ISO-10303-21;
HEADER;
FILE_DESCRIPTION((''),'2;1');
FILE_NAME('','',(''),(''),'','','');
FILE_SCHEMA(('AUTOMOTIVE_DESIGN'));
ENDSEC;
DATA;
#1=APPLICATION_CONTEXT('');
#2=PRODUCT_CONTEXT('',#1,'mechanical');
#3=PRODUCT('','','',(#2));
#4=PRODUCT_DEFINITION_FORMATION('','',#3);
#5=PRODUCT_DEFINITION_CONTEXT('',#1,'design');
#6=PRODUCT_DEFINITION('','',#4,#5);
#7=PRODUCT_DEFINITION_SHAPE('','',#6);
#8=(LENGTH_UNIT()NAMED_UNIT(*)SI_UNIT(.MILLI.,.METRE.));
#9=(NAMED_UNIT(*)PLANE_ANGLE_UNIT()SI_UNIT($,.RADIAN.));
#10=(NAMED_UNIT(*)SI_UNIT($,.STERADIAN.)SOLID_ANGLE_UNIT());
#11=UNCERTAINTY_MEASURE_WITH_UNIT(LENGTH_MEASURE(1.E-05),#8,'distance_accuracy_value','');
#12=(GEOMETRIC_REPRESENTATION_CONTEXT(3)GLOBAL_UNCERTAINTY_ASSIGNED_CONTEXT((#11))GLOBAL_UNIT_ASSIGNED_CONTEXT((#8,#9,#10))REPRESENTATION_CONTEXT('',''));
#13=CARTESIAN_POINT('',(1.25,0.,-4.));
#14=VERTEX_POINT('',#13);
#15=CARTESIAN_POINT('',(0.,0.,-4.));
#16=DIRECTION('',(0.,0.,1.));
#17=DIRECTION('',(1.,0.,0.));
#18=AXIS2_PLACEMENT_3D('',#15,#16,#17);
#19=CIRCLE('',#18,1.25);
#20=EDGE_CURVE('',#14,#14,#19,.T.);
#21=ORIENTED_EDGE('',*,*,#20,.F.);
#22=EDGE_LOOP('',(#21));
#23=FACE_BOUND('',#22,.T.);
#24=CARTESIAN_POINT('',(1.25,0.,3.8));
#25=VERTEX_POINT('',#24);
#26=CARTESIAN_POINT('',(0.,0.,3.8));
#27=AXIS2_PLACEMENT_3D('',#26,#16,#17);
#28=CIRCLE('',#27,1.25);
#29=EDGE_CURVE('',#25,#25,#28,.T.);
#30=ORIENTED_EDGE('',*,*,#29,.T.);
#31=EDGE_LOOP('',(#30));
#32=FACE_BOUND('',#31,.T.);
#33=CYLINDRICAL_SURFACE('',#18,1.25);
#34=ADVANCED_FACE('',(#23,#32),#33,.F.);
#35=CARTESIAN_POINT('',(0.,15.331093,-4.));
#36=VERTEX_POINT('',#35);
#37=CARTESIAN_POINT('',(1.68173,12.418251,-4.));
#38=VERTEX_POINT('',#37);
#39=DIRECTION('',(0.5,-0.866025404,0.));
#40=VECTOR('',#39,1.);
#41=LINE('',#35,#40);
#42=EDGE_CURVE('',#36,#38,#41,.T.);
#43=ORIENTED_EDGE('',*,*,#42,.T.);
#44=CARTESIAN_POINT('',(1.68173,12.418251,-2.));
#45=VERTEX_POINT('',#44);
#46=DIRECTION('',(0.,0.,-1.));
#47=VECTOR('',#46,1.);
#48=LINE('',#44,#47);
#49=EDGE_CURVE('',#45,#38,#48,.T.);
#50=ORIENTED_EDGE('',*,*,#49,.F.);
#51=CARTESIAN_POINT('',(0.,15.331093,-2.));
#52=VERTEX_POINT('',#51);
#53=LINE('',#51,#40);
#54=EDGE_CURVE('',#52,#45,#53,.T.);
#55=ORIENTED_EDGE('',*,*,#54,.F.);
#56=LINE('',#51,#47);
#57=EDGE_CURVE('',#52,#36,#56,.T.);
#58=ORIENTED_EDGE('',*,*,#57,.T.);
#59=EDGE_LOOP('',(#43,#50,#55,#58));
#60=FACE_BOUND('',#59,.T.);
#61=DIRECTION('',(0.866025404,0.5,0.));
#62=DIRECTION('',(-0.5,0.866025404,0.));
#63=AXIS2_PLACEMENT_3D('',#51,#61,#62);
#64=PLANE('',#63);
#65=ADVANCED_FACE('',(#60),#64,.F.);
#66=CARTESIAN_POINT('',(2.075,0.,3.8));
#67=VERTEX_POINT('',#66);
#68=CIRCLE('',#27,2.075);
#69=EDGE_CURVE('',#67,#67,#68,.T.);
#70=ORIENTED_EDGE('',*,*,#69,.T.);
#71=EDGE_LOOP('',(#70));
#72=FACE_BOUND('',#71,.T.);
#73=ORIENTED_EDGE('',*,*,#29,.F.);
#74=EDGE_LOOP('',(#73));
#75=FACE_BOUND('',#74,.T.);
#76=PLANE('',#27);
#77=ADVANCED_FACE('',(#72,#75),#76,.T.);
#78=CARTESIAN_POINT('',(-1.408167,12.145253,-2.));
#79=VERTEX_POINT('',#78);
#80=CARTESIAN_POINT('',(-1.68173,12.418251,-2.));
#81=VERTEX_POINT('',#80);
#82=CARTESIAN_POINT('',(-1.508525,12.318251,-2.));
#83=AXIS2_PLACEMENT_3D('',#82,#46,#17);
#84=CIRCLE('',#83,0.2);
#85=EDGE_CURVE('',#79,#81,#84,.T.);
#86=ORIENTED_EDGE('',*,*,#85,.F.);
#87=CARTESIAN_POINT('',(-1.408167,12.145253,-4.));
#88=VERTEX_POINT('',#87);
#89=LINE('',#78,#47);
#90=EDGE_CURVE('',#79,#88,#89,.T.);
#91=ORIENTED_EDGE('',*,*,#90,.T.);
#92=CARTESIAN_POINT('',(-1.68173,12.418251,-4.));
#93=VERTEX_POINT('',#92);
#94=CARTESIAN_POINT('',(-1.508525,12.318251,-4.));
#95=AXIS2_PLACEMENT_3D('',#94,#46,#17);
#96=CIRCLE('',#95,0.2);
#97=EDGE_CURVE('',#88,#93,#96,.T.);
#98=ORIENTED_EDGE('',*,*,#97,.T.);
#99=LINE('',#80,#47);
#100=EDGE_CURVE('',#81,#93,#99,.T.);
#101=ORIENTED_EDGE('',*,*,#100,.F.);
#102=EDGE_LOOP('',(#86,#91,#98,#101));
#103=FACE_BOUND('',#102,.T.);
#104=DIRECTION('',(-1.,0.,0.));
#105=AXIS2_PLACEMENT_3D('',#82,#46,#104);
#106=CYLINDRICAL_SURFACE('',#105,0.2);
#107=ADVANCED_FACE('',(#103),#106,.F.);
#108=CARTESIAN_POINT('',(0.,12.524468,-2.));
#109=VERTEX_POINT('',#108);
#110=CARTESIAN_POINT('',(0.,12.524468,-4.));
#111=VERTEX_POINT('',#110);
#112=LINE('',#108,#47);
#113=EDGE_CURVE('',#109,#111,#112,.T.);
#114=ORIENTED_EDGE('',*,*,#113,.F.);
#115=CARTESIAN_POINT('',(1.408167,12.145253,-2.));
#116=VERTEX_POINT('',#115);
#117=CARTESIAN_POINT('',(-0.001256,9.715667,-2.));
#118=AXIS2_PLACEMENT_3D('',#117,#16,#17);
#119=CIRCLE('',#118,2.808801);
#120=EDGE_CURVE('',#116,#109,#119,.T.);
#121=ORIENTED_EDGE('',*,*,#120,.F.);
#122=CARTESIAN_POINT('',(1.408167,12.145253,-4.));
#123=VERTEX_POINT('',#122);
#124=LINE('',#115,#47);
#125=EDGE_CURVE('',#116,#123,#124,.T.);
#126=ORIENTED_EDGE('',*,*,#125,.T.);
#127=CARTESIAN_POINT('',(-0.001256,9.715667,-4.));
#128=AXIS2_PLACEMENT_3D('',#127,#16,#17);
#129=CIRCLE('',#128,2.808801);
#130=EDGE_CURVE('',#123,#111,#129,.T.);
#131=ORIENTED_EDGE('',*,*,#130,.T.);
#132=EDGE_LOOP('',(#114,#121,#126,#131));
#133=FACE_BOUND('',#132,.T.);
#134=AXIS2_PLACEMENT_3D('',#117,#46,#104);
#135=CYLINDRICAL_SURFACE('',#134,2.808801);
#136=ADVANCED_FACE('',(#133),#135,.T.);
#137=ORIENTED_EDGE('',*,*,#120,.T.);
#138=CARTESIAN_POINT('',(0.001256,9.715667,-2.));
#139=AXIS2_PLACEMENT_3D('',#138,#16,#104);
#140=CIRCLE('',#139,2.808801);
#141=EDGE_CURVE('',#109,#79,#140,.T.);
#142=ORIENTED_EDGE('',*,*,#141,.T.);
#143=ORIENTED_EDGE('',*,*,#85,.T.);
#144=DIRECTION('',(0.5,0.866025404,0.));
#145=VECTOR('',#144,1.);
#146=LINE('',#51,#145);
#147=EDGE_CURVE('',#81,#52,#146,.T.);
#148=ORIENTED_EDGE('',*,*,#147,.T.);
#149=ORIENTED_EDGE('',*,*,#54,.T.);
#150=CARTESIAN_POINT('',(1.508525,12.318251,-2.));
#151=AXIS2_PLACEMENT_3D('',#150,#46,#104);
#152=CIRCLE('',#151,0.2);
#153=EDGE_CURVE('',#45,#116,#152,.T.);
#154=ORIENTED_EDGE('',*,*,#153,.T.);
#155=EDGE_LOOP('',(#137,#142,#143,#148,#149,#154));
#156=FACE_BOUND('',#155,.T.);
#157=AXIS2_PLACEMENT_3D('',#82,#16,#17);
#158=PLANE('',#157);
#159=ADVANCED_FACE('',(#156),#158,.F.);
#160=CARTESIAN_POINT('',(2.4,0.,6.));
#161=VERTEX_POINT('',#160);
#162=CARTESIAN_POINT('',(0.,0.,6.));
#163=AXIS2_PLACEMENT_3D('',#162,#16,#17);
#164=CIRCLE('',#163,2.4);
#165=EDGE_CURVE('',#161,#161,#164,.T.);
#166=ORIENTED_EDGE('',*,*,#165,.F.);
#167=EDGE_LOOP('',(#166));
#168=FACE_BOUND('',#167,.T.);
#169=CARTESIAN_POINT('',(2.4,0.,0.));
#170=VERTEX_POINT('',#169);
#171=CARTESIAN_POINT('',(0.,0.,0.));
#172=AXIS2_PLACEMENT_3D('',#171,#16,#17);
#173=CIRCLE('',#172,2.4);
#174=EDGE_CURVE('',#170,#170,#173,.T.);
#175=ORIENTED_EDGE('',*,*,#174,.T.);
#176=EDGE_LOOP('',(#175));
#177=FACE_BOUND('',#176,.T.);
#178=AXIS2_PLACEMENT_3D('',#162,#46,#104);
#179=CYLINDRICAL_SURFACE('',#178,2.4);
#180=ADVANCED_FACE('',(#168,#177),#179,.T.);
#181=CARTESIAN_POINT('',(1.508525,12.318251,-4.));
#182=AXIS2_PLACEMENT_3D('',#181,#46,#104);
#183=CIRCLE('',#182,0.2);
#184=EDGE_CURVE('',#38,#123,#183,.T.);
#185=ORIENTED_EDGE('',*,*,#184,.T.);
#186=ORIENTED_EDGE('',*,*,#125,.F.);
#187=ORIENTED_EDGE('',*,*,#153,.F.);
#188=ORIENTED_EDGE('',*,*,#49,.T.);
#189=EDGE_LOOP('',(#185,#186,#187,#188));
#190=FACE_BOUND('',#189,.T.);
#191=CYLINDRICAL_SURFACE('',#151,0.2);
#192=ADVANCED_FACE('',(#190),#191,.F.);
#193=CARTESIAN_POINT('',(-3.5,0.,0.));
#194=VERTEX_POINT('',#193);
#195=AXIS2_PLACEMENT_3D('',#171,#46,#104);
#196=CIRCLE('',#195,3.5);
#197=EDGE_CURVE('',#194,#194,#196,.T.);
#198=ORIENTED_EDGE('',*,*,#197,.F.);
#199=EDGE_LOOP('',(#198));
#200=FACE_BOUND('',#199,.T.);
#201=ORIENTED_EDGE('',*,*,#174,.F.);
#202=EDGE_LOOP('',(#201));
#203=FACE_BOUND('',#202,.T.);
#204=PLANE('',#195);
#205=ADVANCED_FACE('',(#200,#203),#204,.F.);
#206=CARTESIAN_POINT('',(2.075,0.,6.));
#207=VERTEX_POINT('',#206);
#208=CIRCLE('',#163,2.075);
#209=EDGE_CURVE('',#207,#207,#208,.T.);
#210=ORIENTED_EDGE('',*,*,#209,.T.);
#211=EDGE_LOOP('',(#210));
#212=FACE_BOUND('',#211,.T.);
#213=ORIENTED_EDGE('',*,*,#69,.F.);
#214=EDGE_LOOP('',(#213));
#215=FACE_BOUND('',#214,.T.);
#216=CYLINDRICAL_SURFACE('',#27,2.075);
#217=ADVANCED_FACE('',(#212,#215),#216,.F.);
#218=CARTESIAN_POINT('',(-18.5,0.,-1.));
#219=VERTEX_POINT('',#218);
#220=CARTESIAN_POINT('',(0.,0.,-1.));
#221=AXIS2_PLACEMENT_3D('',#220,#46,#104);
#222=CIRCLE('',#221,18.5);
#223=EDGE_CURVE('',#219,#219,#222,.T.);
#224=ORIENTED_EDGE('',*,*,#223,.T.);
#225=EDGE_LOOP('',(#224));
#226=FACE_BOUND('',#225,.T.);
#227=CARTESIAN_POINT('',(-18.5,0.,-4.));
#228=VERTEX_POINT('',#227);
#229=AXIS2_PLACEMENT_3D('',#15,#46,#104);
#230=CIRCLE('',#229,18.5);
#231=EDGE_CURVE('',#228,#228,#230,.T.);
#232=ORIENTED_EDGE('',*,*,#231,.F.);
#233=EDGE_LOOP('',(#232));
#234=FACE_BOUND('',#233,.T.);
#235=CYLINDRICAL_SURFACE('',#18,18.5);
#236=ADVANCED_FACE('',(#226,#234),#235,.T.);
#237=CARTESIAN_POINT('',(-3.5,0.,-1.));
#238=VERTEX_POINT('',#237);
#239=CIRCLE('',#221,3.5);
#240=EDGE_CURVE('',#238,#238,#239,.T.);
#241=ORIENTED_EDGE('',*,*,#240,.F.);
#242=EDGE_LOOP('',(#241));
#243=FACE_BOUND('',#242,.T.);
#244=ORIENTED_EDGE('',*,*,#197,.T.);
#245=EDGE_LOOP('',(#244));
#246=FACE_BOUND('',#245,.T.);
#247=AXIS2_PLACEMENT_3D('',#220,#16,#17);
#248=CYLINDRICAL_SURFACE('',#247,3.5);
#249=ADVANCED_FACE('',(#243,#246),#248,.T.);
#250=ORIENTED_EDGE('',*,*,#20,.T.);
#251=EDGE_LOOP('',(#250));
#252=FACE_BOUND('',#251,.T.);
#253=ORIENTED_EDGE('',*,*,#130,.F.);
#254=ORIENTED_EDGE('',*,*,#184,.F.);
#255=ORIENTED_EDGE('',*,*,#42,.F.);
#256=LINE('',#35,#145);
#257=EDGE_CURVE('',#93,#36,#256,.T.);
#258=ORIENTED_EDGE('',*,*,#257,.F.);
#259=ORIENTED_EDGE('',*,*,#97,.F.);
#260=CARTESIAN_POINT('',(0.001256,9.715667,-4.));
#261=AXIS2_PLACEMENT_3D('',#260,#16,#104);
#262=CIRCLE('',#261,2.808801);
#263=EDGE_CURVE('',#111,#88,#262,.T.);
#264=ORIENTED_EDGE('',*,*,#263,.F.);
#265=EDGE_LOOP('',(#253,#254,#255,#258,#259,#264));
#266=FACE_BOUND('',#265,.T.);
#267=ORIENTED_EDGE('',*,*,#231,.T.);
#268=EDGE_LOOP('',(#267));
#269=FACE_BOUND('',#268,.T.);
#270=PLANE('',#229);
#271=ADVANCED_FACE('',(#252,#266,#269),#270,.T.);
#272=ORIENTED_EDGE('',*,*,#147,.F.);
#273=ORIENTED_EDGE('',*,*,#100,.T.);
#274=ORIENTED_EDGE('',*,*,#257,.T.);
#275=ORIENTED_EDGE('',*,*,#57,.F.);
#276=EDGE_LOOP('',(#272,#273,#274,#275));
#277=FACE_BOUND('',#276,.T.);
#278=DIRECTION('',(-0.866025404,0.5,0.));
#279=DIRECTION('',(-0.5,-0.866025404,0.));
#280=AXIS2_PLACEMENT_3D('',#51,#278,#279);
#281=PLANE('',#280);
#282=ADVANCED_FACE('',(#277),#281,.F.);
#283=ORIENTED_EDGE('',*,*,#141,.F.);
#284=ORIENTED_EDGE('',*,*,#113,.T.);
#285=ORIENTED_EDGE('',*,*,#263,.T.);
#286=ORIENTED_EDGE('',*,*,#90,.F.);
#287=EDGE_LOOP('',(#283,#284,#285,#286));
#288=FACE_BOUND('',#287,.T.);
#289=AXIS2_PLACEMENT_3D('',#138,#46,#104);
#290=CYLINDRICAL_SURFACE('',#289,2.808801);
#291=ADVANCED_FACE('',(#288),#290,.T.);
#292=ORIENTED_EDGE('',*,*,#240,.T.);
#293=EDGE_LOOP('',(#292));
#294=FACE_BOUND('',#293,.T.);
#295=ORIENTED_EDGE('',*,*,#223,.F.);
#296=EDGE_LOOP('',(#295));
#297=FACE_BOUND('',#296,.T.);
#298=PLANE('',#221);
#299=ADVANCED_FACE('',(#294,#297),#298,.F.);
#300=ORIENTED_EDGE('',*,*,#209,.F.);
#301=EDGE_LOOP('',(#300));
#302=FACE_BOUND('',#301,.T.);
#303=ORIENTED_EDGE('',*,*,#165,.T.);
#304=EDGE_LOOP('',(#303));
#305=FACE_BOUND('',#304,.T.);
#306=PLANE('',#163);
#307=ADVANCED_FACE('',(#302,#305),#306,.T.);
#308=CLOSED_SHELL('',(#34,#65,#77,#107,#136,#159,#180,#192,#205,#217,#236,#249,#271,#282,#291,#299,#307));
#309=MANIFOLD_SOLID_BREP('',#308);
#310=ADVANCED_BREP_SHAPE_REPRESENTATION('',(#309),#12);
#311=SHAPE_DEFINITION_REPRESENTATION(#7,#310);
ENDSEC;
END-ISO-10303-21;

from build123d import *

# Parameters (mm, degrees)
CROQUIS1_R              = 2.4
SALIENTE_EXTRUIR1_DEPTH = 6
CROQUIS2_R              = 3.5
SALIENTE_EXTRUIR2_DEPTH = 1
CROQUIS3_R              = 18.5
SALIENTE_EXTRUIR3_DEPTH = 3
CORTAR_EXTRUIR1_DEPTH   = 2
CROQUIS5_R              = 2.075
CORTAR_EXTRUIR2_DEPTH   = 2.2
CROQUIS6_R              = 1.25
CORTAR_EXTRUIR3_DEPTH   = 28.300915736


with BuildPart() as part:
    # Croquis1 → Saliente-Extruir1 (new body)
    with BuildSketch(Plane.XY):
        Circle(CROQUIS1_R)
    extrude(amount=SALIENTE_EXTRUIR1_DEPTH)

    # Croquis2 → Saliente-Extruir2 (add)
    with BuildSketch(Plane(origin=(0, 0, 0), x_dir=(-1, 0, 0), z_dir=(0, 0, -1))):
        Circle(CROQUIS2_R)
    extrude(amount=SALIENTE_EXTRUIR2_DEPTH)

    # Croquis3 → Saliente-Extruir3 (add)
    with BuildSketch(Plane(origin=(0, 0, -1), x_dir=(-1, 0, 0), z_dir=(0, 0, -1))):
        Circle(CROQUIS3_R)
    extrude(amount=SALIENTE_EXTRUIR3_DEPTH)

    # Croquis4 → Cortar-Extruir1 (cut)
    with BuildSketch(Plane(origin=(0, 0, -4), x_dir=(-1, 0, 0), z_dir=(0, 0, -1))):
        with BuildLine():
            Line((0, 15.331093131), (-1.68173019, 12.418250997))
            ThreePointArc((-1.68173019, 12.418250997), (-1.649800286, 12.176683613), (-1.408167444, 12.145252908))
            ThreePointArc((-1.408167444, 12.145252908), (-0.72912408, 12.427844555), (0, 12.524467551))
            ThreePointArc((0, 12.524467551), (0.72912408, 12.427844555), (1.408167444, 12.145252908))
            ThreePointArc((1.408167444, 12.145252908), (1.649800286, 12.176683613), (1.68173019, 12.418250997))
            Line((1.68173019, 12.418250997), (0, 15.331093131))
        make_face()
    extrude(amount=-CORTAR_EXTRUIR1_DEPTH, mode=Mode.SUBTRACT)

    # Croquis5 → Cortar-Extruir2 (cut)
    with BuildSketch(Plane.XY.offset(6)):
        Circle(CROQUIS5_R)
    extrude(amount=-CORTAR_EXTRUIR2_DEPTH, mode=Mode.SUBTRACT)

    # Croquis6 → Cortar-Extruir3 (cut, through all)
    with BuildSketch(Plane.XY.offset(3.8)):
        Circle(CROQUIS6_R)
    extrude(amount=-CORTAR_EXTRUIR3_DEPTH, mode=Mode.SUBTRACT)


solid = part.part
